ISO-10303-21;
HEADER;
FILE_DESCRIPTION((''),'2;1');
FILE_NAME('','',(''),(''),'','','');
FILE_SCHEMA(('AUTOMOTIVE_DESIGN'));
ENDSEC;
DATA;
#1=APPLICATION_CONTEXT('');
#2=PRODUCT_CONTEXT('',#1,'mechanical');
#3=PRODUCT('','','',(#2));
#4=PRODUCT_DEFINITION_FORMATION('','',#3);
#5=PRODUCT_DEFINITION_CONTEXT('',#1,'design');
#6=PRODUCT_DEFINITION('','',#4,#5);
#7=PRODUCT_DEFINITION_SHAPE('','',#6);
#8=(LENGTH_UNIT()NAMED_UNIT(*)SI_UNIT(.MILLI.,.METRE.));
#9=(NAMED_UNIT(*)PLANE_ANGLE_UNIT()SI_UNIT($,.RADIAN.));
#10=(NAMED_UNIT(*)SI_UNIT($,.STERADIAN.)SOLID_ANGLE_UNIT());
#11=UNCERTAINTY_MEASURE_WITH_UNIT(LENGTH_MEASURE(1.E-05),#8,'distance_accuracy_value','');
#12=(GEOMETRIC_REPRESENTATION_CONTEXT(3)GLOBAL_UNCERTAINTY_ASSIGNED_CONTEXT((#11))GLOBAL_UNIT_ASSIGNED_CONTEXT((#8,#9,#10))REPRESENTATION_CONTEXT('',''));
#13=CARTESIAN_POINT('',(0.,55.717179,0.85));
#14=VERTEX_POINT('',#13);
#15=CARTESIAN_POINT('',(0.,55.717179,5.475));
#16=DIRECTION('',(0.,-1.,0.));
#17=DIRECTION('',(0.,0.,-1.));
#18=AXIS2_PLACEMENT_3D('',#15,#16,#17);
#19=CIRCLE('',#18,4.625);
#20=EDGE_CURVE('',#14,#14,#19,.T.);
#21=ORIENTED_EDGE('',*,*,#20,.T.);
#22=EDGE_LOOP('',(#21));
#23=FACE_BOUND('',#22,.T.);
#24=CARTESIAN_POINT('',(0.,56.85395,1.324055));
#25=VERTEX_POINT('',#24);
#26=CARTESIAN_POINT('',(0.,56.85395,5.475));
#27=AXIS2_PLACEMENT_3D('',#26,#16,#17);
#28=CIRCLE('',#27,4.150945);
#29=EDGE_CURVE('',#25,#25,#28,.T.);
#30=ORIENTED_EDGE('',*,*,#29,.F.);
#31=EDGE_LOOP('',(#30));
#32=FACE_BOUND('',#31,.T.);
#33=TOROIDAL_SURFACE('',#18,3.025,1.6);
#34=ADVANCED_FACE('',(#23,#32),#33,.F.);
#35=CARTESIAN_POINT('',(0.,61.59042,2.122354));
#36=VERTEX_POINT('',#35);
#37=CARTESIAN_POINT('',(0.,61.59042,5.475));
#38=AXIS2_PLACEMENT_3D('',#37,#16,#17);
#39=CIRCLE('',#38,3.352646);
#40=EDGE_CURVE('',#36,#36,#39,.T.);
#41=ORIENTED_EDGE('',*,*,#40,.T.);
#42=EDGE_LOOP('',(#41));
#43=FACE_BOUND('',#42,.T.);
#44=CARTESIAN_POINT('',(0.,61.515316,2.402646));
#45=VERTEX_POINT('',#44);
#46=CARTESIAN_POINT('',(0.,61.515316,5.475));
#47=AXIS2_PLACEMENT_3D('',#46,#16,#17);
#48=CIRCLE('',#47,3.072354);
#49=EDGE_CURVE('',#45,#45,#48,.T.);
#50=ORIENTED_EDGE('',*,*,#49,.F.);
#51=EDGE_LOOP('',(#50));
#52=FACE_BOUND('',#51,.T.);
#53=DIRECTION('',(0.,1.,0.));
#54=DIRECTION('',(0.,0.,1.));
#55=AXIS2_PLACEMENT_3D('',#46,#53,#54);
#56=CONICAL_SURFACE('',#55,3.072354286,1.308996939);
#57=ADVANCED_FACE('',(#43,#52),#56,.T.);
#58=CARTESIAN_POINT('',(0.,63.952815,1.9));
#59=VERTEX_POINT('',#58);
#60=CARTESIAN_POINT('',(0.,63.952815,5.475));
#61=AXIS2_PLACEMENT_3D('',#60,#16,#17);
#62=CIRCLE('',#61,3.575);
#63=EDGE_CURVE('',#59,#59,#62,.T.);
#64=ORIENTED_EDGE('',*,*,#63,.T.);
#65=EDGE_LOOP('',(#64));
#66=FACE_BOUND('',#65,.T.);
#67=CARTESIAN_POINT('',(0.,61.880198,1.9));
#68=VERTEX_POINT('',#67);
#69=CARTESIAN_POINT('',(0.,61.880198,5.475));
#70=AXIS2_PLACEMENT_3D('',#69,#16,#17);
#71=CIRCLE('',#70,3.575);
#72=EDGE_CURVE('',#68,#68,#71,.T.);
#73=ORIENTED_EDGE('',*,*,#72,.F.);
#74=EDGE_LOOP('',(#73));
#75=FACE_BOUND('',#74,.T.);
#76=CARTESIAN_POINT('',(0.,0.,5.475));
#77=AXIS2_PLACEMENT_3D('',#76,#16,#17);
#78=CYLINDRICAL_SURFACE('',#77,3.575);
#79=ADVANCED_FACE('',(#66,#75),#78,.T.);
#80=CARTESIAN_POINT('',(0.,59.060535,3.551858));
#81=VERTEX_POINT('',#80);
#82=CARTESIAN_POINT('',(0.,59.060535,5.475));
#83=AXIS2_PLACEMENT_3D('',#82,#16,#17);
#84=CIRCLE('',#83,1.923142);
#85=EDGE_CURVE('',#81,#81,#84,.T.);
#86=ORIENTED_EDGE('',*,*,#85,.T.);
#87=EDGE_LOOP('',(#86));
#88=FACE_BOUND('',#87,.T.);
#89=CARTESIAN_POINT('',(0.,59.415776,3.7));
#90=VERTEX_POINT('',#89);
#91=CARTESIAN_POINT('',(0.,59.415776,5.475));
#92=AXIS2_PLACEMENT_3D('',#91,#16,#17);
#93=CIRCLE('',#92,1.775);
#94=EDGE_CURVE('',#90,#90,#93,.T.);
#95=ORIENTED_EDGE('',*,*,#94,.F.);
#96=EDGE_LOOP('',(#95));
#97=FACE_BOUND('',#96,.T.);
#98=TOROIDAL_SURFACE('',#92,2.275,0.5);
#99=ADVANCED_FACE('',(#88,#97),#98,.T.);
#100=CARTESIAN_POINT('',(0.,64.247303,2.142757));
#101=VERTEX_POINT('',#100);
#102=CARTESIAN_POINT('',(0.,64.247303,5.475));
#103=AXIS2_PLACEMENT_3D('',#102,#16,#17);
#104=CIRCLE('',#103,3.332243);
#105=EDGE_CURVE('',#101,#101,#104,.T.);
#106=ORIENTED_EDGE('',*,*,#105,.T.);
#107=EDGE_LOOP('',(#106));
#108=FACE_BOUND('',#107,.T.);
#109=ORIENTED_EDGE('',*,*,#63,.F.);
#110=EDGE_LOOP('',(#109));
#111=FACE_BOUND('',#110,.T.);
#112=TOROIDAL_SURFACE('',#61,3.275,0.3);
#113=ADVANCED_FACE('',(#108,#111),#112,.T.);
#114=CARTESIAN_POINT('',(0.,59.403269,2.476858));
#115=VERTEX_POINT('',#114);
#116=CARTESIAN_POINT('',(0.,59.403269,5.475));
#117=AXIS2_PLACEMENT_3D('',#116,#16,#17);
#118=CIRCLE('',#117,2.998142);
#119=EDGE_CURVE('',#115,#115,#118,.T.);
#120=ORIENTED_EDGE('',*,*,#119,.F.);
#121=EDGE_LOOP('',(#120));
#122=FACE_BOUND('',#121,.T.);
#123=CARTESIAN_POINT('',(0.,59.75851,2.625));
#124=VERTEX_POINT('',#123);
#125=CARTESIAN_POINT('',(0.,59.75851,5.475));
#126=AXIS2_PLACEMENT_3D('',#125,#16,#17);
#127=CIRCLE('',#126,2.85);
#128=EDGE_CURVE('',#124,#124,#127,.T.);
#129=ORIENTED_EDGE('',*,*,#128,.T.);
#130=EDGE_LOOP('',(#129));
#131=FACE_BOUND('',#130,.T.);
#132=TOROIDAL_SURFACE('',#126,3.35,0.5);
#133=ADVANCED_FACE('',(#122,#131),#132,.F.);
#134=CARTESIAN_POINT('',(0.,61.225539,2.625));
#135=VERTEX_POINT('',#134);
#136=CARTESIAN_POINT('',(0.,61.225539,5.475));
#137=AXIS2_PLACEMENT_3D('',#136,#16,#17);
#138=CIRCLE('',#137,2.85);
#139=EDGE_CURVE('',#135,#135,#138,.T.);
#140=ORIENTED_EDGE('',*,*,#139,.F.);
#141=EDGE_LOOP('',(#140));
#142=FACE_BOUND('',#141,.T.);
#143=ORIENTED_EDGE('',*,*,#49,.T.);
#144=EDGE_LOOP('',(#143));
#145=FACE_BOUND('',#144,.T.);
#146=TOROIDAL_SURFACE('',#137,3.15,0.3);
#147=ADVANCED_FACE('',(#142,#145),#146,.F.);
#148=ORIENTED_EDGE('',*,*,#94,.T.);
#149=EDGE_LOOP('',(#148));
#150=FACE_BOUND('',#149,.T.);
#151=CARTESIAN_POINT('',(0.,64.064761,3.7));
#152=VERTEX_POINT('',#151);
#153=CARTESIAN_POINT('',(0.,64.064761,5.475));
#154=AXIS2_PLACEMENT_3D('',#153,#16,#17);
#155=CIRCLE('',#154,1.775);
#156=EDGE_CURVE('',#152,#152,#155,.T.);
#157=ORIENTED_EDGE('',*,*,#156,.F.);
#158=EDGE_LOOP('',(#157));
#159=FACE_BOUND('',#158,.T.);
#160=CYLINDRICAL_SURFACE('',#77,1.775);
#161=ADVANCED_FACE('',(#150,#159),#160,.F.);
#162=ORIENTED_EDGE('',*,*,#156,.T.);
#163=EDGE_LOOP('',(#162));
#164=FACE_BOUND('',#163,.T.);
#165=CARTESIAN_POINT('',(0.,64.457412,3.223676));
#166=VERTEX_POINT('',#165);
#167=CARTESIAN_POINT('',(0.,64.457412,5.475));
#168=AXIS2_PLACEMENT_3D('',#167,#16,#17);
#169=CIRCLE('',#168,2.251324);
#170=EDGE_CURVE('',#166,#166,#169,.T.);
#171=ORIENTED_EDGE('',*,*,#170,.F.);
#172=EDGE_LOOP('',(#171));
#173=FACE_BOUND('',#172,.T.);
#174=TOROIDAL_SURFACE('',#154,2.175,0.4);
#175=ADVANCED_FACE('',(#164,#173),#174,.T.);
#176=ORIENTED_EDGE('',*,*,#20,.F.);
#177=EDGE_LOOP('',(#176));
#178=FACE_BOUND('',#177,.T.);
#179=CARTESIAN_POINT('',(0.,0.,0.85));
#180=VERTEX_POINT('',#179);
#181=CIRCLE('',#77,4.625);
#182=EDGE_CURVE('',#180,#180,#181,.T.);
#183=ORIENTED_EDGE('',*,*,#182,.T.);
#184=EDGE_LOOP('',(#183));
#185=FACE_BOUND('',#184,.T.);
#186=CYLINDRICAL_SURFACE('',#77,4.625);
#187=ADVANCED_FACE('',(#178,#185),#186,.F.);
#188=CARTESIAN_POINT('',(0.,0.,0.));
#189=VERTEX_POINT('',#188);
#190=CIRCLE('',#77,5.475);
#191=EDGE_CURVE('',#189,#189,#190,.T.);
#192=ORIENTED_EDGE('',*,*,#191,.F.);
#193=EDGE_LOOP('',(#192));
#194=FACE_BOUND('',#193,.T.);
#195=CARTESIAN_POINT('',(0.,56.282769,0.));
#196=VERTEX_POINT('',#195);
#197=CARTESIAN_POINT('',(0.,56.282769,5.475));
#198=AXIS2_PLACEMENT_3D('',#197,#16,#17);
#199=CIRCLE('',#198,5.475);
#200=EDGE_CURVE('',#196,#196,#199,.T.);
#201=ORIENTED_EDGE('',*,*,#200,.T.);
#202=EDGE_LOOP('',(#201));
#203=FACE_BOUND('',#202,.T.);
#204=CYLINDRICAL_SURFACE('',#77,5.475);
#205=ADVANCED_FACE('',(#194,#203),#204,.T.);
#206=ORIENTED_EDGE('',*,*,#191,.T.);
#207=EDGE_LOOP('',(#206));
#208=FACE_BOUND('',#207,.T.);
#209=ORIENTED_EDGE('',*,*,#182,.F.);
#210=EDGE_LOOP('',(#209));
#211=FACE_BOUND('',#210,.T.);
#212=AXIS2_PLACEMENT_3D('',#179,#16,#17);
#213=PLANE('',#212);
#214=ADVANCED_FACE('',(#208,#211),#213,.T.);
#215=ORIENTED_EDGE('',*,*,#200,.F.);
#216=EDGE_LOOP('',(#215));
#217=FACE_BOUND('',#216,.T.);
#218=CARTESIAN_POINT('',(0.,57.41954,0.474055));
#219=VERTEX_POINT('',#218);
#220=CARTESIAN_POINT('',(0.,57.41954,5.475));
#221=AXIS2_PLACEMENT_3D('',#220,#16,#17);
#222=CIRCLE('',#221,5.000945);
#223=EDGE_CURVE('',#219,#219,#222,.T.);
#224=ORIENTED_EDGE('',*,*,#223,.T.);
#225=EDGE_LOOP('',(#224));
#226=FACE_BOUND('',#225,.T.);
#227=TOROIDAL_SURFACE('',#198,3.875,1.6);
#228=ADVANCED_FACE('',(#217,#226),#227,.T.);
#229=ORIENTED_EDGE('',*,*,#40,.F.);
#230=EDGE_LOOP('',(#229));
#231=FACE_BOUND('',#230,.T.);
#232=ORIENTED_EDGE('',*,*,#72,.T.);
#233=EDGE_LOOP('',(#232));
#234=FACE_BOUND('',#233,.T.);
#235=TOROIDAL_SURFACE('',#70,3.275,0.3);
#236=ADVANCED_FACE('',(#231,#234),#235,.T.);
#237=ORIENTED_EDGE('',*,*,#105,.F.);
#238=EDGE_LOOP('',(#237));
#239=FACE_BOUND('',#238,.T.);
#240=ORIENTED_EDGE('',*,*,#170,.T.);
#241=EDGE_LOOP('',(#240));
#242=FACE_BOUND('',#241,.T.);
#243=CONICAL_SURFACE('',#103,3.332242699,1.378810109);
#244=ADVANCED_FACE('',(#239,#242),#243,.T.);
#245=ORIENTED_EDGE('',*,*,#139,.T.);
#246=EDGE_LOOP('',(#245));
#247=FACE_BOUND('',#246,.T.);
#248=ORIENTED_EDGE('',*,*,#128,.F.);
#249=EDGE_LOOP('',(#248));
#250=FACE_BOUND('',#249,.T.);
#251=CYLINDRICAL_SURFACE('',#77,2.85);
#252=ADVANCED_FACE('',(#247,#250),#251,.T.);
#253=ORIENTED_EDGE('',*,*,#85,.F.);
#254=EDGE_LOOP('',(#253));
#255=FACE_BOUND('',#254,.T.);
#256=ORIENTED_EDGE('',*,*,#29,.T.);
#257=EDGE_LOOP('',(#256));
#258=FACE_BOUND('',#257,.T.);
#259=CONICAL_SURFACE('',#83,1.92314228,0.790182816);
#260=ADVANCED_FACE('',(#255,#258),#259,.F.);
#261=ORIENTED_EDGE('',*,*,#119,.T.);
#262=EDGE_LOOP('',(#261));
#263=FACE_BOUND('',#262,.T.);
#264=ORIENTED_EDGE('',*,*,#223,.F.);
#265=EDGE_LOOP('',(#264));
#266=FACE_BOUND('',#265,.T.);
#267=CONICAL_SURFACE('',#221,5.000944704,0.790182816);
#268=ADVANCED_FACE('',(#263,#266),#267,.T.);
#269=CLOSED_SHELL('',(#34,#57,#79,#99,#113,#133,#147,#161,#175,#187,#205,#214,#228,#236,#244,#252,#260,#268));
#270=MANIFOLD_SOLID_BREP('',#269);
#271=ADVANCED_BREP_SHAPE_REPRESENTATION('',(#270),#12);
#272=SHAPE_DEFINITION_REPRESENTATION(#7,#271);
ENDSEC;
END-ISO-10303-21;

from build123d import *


with BuildPart() as part:
    # Sketch1 → Revolve1 (revolve)
    with BuildSketch(Plane(origin=(0, 0, 0), x_dir=(0, 0, -1), z_dir=(1, 0, 0))):
        with BuildLine():
            Line((0, 0), (0, 56.282769388))
            ThreePointArc((0, 56.282769388), (-0.123261782, 56.898597478), (-0.474055296, 57.419540484))
            Line((-0.474055296, 57.419540484), (-2.47685772, 59.403268599))
            ThreePointArc((-2.47685772, 59.403268599), (-2.586480693, 59.566063288), (-2.625, 59.758509566))
            Line((-2.625, 59.758509566), (-2.625, 61.225538739))
            ThreePointArc((-2.625, 61.225538739), (-2.563006002, 61.408167168), (-2.402645714, 61.515316487))
            Line((-2.402645714, 61.515316487), (-2.122354286, 61.590420349))
            ThreePointArc((-2.122354286, 61.590420349), (-1.961993998, 61.697569668), (-1.9, 61.880198096))
            Line((-1.9, 61.880198096), (-1.9, 63.952814528))
            ThreePointArc((-1.9, 63.952814528), (-1.968512625, 64.143637994), (-2.142757301, 64.247302683))
            Line((-2.142757301, 64.247302683), (-3.223676402, 64.457412072))
            ThreePointArc((-3.223676402, 64.457412072), (-3.554431288, 64.373411032), (-3.7, 64.064761198))
            Line((-3.7, 64.064761198), (-3.7, 59.415776148))
            ThreePointArc((-3.7, 59.415776148), (-3.661480693, 59.22332987), (-3.55185772, 59.060535181))
            Line((-3.55185772, 59.060535181), (-1.324055296, 56.853949923))
            ThreePointArc((-1.324055296, 56.853949923), (-0.973261782, 56.333006917), (-0.85, 55.717178827))
            Line((-0.85, 55.717178827), (-0.85, 0))
            Line((-0.85, 0), (0, 0))
        make_face()
    revolve(axis=Axis((0, 0, 5.475), (0, 1, 0)))


solid = part.part
